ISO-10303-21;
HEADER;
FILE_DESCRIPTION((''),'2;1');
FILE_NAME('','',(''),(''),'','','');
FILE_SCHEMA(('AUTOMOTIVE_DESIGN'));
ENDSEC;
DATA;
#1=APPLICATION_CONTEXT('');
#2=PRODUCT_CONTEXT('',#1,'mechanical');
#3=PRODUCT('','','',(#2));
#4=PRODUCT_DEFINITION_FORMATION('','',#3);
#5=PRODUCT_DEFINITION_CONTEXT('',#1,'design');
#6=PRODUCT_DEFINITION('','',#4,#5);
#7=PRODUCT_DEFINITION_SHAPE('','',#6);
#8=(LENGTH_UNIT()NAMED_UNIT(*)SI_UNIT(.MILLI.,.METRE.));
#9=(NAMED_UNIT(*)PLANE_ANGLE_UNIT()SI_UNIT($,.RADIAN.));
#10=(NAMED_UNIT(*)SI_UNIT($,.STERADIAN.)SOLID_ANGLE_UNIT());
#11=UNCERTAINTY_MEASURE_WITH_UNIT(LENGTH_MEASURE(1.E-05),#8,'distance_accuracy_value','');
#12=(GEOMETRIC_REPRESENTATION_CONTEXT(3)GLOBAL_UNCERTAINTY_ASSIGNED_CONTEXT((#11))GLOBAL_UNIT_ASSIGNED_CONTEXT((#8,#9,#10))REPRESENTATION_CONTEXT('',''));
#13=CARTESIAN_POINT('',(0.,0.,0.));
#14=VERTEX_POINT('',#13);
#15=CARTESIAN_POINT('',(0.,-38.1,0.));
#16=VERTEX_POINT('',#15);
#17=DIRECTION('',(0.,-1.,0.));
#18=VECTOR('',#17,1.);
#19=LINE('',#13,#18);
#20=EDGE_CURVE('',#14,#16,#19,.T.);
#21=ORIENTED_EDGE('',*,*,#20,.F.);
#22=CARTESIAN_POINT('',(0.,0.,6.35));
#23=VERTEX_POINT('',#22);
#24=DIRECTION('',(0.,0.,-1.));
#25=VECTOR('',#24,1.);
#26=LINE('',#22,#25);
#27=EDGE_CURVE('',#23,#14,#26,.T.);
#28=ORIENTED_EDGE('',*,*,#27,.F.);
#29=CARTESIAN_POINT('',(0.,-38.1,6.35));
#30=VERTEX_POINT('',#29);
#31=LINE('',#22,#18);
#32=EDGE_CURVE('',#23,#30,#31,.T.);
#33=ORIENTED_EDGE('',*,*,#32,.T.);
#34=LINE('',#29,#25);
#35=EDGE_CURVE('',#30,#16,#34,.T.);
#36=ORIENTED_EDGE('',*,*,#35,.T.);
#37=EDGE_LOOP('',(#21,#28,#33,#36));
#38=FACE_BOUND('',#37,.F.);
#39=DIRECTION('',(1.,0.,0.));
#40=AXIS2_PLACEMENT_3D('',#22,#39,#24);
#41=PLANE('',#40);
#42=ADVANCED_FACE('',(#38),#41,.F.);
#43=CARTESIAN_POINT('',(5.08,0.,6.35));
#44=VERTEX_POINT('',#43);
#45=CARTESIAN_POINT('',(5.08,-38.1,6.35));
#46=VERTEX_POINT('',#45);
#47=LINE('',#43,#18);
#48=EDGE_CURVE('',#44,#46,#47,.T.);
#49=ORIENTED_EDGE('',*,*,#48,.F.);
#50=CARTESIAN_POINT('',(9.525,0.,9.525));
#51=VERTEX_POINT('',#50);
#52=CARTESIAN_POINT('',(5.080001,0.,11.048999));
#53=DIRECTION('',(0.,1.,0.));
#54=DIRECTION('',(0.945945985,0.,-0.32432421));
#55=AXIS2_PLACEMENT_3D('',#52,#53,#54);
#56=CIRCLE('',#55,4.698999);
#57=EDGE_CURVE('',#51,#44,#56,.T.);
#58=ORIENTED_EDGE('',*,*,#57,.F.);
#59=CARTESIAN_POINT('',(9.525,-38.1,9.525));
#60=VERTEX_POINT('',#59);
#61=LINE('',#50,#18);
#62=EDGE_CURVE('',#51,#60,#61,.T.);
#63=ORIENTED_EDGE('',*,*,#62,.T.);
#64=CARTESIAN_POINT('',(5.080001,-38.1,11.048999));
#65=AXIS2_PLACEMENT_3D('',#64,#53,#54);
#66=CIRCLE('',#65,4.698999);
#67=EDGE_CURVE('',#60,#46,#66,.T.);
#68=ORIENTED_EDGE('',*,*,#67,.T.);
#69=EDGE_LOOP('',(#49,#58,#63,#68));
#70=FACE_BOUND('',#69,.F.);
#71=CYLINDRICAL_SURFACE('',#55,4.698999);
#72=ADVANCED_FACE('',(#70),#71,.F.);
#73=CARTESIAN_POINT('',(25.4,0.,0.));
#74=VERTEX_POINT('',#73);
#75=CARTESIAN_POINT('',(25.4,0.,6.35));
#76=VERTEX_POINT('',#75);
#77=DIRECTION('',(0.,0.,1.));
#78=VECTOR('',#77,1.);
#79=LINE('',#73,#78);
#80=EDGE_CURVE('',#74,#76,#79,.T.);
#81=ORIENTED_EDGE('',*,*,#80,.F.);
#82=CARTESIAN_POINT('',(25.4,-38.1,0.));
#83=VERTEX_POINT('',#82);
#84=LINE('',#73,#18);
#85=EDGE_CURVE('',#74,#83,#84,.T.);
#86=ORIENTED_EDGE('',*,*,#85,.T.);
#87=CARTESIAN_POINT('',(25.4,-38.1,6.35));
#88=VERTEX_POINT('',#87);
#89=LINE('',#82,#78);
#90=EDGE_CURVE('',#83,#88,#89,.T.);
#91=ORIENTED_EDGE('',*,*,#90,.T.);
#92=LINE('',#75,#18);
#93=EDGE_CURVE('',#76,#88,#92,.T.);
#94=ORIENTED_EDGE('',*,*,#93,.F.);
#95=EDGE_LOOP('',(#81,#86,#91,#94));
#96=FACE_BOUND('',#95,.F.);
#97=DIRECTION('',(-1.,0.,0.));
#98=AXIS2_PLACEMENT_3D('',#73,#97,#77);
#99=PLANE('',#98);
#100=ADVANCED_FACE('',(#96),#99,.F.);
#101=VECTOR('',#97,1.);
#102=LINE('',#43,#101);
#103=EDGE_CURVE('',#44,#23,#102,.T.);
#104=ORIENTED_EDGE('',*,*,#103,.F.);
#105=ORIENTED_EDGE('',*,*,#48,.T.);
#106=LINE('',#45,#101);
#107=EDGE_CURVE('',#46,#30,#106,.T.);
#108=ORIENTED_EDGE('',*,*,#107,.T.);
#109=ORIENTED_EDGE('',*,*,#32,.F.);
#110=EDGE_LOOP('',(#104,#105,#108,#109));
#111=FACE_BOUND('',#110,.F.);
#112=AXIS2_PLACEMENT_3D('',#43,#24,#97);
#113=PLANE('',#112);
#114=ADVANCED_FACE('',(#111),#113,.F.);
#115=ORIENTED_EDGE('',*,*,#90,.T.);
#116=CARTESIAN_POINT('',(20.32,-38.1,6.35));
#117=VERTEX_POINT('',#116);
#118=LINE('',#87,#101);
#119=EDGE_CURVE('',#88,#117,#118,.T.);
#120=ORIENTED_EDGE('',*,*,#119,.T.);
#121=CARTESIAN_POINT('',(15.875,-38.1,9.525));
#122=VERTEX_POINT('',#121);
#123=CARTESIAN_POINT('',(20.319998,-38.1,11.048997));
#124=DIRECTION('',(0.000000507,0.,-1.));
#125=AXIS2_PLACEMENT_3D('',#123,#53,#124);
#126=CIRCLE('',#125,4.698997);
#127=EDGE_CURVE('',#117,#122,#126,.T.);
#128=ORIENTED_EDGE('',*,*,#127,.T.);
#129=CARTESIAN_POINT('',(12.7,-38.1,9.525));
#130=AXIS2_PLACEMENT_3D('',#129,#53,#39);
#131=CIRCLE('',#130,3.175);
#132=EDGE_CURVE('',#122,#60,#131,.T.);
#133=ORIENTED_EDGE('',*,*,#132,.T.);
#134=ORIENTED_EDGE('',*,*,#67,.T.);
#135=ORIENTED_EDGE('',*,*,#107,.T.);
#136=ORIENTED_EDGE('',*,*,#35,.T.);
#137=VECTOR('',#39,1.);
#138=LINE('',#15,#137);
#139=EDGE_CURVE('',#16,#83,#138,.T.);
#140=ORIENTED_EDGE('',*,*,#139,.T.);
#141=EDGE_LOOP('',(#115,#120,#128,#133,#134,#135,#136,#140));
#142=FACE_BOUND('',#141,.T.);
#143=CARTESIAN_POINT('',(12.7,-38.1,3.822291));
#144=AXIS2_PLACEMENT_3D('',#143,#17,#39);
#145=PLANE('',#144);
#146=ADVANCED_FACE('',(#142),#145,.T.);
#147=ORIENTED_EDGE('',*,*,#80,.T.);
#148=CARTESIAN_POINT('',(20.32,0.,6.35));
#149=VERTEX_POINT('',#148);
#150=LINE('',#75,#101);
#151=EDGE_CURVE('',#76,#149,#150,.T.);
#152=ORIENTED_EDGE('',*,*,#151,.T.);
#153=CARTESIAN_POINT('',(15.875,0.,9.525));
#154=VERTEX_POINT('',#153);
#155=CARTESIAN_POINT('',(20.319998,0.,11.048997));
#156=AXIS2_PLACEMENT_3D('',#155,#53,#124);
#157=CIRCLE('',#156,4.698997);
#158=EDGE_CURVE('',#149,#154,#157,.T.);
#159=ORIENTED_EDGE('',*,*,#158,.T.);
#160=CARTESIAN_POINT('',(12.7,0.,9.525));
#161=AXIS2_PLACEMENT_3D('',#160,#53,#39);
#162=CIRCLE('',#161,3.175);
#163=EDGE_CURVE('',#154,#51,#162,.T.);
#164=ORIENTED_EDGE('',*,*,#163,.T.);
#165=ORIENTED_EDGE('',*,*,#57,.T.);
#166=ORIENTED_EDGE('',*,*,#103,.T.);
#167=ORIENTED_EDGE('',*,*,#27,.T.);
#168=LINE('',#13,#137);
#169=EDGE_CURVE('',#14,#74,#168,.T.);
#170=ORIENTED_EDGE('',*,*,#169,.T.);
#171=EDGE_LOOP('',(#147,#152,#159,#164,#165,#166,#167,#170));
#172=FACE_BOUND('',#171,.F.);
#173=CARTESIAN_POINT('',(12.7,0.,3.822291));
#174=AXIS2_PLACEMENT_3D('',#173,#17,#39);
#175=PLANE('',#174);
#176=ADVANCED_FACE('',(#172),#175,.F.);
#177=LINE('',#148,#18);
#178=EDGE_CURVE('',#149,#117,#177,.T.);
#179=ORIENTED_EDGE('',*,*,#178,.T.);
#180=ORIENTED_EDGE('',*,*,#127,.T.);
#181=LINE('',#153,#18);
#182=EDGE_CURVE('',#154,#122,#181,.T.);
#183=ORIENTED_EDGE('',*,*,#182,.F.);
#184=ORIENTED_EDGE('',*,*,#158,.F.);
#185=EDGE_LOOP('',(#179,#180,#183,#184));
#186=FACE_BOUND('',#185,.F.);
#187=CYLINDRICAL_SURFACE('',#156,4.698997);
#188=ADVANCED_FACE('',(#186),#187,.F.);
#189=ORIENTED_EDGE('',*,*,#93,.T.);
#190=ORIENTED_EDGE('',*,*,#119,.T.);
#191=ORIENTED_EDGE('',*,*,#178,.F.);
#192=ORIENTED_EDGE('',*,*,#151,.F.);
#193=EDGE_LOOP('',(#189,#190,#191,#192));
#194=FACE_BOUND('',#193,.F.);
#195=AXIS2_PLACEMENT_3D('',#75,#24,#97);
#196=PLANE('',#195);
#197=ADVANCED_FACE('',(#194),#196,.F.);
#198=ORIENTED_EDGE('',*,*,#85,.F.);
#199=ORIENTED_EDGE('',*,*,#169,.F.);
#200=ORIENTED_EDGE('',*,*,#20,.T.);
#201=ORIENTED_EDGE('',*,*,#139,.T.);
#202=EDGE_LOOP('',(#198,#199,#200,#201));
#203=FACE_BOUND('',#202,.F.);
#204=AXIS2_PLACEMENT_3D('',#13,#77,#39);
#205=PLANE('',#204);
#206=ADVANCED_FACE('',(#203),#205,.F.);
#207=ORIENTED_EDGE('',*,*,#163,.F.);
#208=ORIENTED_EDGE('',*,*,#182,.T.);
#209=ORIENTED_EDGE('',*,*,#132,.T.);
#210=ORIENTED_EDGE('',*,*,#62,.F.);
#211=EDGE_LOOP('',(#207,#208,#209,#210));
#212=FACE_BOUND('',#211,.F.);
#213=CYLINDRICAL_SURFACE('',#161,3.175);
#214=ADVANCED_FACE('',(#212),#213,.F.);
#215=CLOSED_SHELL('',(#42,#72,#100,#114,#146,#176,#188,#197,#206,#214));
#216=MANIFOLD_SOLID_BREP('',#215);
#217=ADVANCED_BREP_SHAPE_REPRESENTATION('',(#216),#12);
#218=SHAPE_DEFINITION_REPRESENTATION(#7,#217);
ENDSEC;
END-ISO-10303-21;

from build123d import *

# Parameters (mm, degrees)
F1_DEPTH = 38.1


with BuildPart() as f1:
    # F0 (on Front) → F1 (new body)
    with BuildSketch(Plane.XZ):
        with BuildLine():
            Line((0, 6.35), (0, 0))
            Line((0, 0), (25.4, 0))
            Line((25.4, 0), (25.4, 6.35))
            Line((25.4, 6.35), (20.32, 6.35))
            ThreePointArc((20.32, 6.35), (17.588761, 7.225266), (15.875, 9.525))
            ThreePointArc((15.875, 9.525), (12.7, 6.35), (9.525, 9.525))
            ThreePointArc((9.525, 9.525), (7.811238, 7.225266), (5.08, 6.35))
            Line((5.08, 6.35), (0, 6.35))
        make_face()
    extrude(amount=F1_DEPTH)


solid = f1.part
